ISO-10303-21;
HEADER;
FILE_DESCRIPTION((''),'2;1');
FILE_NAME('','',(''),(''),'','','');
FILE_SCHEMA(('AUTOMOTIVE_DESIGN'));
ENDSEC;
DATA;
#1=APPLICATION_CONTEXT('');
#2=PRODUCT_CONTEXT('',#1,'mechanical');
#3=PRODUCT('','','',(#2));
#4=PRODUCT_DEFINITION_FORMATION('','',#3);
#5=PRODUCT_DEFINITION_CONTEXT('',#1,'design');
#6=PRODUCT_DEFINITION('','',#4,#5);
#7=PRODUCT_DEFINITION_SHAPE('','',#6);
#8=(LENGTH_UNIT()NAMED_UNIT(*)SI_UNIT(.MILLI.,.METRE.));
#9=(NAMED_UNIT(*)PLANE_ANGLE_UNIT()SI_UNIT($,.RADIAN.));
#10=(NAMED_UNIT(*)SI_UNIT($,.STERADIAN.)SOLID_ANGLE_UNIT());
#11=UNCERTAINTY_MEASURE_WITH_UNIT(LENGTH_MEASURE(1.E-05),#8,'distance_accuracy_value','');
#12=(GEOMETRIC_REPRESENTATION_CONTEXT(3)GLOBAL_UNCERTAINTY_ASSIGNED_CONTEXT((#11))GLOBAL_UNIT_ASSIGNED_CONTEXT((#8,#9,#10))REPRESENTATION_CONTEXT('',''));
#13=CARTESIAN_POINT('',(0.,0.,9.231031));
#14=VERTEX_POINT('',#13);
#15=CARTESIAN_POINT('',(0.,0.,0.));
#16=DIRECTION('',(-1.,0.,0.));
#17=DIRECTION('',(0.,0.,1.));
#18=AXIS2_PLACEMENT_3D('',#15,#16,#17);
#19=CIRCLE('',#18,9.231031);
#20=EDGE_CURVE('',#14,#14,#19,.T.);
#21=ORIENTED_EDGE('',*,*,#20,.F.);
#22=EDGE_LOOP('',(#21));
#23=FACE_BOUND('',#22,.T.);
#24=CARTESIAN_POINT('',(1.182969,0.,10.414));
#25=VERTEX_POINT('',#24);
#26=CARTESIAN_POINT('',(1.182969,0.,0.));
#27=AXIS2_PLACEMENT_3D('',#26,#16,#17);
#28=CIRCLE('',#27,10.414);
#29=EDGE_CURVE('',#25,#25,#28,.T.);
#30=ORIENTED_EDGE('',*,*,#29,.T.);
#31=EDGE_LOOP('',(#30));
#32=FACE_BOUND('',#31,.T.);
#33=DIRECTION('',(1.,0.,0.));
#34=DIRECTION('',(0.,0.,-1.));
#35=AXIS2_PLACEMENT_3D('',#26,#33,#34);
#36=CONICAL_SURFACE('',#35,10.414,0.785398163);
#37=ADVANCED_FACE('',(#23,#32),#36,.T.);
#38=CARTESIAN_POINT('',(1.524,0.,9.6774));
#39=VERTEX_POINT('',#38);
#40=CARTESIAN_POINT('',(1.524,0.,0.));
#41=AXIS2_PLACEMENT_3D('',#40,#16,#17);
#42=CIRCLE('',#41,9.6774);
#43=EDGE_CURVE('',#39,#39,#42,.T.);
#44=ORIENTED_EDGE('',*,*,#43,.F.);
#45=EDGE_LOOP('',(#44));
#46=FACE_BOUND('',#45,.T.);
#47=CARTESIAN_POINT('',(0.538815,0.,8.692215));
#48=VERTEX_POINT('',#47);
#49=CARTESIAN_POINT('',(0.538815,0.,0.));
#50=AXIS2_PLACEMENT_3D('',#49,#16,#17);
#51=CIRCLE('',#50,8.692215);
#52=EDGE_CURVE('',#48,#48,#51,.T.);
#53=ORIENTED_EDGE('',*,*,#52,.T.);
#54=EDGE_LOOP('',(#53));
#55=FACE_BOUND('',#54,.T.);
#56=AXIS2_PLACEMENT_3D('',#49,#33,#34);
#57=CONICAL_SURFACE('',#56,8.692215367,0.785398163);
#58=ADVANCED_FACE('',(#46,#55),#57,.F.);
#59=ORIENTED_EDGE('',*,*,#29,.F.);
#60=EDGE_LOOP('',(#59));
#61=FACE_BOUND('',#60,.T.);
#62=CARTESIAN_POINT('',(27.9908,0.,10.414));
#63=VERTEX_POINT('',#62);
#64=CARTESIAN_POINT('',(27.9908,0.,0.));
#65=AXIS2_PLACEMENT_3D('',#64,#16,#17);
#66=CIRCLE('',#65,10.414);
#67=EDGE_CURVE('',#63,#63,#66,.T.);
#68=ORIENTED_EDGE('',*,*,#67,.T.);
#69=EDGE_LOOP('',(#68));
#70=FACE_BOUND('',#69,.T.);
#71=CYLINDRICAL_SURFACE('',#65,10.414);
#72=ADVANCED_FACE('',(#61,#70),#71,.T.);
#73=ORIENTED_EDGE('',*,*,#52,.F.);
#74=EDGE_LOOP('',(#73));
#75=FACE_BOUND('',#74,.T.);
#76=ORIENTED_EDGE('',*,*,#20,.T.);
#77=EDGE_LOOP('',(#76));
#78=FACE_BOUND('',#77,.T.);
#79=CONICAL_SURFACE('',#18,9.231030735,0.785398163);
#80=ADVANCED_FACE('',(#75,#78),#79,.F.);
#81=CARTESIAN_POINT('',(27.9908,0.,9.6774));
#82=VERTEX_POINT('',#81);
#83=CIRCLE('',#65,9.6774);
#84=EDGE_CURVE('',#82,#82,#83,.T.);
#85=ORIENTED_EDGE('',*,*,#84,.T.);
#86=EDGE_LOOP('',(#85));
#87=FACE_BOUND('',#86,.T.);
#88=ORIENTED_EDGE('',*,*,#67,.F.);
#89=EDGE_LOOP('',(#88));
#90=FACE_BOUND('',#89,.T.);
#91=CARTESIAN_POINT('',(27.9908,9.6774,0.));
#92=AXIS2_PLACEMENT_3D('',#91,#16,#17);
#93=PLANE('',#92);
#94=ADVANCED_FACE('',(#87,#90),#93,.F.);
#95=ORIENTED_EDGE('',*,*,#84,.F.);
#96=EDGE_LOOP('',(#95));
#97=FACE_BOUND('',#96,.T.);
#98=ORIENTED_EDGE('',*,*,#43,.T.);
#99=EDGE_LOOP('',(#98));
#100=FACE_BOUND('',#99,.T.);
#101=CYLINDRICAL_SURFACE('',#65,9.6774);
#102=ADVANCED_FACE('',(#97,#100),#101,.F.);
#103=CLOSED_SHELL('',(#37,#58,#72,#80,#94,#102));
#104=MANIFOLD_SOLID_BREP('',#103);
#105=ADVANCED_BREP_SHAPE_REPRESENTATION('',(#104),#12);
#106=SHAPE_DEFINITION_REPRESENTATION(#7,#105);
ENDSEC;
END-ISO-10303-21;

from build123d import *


with BuildPart() as part:
    # Sketch1 → Revolve1 (revolve)
    with BuildSketch(Plane.XY):
        Polygon((0, 9.231030735), (0.538815367, 8.692215367), (1.524, 9.6774), (27.9908, 9.6774), (27.9908, 10.414), (1.182969265, 10.414), align=None)
    revolve(axis=Axis((27.9908, 0, 0), (-1, 0, 0)))


solid = part.part
